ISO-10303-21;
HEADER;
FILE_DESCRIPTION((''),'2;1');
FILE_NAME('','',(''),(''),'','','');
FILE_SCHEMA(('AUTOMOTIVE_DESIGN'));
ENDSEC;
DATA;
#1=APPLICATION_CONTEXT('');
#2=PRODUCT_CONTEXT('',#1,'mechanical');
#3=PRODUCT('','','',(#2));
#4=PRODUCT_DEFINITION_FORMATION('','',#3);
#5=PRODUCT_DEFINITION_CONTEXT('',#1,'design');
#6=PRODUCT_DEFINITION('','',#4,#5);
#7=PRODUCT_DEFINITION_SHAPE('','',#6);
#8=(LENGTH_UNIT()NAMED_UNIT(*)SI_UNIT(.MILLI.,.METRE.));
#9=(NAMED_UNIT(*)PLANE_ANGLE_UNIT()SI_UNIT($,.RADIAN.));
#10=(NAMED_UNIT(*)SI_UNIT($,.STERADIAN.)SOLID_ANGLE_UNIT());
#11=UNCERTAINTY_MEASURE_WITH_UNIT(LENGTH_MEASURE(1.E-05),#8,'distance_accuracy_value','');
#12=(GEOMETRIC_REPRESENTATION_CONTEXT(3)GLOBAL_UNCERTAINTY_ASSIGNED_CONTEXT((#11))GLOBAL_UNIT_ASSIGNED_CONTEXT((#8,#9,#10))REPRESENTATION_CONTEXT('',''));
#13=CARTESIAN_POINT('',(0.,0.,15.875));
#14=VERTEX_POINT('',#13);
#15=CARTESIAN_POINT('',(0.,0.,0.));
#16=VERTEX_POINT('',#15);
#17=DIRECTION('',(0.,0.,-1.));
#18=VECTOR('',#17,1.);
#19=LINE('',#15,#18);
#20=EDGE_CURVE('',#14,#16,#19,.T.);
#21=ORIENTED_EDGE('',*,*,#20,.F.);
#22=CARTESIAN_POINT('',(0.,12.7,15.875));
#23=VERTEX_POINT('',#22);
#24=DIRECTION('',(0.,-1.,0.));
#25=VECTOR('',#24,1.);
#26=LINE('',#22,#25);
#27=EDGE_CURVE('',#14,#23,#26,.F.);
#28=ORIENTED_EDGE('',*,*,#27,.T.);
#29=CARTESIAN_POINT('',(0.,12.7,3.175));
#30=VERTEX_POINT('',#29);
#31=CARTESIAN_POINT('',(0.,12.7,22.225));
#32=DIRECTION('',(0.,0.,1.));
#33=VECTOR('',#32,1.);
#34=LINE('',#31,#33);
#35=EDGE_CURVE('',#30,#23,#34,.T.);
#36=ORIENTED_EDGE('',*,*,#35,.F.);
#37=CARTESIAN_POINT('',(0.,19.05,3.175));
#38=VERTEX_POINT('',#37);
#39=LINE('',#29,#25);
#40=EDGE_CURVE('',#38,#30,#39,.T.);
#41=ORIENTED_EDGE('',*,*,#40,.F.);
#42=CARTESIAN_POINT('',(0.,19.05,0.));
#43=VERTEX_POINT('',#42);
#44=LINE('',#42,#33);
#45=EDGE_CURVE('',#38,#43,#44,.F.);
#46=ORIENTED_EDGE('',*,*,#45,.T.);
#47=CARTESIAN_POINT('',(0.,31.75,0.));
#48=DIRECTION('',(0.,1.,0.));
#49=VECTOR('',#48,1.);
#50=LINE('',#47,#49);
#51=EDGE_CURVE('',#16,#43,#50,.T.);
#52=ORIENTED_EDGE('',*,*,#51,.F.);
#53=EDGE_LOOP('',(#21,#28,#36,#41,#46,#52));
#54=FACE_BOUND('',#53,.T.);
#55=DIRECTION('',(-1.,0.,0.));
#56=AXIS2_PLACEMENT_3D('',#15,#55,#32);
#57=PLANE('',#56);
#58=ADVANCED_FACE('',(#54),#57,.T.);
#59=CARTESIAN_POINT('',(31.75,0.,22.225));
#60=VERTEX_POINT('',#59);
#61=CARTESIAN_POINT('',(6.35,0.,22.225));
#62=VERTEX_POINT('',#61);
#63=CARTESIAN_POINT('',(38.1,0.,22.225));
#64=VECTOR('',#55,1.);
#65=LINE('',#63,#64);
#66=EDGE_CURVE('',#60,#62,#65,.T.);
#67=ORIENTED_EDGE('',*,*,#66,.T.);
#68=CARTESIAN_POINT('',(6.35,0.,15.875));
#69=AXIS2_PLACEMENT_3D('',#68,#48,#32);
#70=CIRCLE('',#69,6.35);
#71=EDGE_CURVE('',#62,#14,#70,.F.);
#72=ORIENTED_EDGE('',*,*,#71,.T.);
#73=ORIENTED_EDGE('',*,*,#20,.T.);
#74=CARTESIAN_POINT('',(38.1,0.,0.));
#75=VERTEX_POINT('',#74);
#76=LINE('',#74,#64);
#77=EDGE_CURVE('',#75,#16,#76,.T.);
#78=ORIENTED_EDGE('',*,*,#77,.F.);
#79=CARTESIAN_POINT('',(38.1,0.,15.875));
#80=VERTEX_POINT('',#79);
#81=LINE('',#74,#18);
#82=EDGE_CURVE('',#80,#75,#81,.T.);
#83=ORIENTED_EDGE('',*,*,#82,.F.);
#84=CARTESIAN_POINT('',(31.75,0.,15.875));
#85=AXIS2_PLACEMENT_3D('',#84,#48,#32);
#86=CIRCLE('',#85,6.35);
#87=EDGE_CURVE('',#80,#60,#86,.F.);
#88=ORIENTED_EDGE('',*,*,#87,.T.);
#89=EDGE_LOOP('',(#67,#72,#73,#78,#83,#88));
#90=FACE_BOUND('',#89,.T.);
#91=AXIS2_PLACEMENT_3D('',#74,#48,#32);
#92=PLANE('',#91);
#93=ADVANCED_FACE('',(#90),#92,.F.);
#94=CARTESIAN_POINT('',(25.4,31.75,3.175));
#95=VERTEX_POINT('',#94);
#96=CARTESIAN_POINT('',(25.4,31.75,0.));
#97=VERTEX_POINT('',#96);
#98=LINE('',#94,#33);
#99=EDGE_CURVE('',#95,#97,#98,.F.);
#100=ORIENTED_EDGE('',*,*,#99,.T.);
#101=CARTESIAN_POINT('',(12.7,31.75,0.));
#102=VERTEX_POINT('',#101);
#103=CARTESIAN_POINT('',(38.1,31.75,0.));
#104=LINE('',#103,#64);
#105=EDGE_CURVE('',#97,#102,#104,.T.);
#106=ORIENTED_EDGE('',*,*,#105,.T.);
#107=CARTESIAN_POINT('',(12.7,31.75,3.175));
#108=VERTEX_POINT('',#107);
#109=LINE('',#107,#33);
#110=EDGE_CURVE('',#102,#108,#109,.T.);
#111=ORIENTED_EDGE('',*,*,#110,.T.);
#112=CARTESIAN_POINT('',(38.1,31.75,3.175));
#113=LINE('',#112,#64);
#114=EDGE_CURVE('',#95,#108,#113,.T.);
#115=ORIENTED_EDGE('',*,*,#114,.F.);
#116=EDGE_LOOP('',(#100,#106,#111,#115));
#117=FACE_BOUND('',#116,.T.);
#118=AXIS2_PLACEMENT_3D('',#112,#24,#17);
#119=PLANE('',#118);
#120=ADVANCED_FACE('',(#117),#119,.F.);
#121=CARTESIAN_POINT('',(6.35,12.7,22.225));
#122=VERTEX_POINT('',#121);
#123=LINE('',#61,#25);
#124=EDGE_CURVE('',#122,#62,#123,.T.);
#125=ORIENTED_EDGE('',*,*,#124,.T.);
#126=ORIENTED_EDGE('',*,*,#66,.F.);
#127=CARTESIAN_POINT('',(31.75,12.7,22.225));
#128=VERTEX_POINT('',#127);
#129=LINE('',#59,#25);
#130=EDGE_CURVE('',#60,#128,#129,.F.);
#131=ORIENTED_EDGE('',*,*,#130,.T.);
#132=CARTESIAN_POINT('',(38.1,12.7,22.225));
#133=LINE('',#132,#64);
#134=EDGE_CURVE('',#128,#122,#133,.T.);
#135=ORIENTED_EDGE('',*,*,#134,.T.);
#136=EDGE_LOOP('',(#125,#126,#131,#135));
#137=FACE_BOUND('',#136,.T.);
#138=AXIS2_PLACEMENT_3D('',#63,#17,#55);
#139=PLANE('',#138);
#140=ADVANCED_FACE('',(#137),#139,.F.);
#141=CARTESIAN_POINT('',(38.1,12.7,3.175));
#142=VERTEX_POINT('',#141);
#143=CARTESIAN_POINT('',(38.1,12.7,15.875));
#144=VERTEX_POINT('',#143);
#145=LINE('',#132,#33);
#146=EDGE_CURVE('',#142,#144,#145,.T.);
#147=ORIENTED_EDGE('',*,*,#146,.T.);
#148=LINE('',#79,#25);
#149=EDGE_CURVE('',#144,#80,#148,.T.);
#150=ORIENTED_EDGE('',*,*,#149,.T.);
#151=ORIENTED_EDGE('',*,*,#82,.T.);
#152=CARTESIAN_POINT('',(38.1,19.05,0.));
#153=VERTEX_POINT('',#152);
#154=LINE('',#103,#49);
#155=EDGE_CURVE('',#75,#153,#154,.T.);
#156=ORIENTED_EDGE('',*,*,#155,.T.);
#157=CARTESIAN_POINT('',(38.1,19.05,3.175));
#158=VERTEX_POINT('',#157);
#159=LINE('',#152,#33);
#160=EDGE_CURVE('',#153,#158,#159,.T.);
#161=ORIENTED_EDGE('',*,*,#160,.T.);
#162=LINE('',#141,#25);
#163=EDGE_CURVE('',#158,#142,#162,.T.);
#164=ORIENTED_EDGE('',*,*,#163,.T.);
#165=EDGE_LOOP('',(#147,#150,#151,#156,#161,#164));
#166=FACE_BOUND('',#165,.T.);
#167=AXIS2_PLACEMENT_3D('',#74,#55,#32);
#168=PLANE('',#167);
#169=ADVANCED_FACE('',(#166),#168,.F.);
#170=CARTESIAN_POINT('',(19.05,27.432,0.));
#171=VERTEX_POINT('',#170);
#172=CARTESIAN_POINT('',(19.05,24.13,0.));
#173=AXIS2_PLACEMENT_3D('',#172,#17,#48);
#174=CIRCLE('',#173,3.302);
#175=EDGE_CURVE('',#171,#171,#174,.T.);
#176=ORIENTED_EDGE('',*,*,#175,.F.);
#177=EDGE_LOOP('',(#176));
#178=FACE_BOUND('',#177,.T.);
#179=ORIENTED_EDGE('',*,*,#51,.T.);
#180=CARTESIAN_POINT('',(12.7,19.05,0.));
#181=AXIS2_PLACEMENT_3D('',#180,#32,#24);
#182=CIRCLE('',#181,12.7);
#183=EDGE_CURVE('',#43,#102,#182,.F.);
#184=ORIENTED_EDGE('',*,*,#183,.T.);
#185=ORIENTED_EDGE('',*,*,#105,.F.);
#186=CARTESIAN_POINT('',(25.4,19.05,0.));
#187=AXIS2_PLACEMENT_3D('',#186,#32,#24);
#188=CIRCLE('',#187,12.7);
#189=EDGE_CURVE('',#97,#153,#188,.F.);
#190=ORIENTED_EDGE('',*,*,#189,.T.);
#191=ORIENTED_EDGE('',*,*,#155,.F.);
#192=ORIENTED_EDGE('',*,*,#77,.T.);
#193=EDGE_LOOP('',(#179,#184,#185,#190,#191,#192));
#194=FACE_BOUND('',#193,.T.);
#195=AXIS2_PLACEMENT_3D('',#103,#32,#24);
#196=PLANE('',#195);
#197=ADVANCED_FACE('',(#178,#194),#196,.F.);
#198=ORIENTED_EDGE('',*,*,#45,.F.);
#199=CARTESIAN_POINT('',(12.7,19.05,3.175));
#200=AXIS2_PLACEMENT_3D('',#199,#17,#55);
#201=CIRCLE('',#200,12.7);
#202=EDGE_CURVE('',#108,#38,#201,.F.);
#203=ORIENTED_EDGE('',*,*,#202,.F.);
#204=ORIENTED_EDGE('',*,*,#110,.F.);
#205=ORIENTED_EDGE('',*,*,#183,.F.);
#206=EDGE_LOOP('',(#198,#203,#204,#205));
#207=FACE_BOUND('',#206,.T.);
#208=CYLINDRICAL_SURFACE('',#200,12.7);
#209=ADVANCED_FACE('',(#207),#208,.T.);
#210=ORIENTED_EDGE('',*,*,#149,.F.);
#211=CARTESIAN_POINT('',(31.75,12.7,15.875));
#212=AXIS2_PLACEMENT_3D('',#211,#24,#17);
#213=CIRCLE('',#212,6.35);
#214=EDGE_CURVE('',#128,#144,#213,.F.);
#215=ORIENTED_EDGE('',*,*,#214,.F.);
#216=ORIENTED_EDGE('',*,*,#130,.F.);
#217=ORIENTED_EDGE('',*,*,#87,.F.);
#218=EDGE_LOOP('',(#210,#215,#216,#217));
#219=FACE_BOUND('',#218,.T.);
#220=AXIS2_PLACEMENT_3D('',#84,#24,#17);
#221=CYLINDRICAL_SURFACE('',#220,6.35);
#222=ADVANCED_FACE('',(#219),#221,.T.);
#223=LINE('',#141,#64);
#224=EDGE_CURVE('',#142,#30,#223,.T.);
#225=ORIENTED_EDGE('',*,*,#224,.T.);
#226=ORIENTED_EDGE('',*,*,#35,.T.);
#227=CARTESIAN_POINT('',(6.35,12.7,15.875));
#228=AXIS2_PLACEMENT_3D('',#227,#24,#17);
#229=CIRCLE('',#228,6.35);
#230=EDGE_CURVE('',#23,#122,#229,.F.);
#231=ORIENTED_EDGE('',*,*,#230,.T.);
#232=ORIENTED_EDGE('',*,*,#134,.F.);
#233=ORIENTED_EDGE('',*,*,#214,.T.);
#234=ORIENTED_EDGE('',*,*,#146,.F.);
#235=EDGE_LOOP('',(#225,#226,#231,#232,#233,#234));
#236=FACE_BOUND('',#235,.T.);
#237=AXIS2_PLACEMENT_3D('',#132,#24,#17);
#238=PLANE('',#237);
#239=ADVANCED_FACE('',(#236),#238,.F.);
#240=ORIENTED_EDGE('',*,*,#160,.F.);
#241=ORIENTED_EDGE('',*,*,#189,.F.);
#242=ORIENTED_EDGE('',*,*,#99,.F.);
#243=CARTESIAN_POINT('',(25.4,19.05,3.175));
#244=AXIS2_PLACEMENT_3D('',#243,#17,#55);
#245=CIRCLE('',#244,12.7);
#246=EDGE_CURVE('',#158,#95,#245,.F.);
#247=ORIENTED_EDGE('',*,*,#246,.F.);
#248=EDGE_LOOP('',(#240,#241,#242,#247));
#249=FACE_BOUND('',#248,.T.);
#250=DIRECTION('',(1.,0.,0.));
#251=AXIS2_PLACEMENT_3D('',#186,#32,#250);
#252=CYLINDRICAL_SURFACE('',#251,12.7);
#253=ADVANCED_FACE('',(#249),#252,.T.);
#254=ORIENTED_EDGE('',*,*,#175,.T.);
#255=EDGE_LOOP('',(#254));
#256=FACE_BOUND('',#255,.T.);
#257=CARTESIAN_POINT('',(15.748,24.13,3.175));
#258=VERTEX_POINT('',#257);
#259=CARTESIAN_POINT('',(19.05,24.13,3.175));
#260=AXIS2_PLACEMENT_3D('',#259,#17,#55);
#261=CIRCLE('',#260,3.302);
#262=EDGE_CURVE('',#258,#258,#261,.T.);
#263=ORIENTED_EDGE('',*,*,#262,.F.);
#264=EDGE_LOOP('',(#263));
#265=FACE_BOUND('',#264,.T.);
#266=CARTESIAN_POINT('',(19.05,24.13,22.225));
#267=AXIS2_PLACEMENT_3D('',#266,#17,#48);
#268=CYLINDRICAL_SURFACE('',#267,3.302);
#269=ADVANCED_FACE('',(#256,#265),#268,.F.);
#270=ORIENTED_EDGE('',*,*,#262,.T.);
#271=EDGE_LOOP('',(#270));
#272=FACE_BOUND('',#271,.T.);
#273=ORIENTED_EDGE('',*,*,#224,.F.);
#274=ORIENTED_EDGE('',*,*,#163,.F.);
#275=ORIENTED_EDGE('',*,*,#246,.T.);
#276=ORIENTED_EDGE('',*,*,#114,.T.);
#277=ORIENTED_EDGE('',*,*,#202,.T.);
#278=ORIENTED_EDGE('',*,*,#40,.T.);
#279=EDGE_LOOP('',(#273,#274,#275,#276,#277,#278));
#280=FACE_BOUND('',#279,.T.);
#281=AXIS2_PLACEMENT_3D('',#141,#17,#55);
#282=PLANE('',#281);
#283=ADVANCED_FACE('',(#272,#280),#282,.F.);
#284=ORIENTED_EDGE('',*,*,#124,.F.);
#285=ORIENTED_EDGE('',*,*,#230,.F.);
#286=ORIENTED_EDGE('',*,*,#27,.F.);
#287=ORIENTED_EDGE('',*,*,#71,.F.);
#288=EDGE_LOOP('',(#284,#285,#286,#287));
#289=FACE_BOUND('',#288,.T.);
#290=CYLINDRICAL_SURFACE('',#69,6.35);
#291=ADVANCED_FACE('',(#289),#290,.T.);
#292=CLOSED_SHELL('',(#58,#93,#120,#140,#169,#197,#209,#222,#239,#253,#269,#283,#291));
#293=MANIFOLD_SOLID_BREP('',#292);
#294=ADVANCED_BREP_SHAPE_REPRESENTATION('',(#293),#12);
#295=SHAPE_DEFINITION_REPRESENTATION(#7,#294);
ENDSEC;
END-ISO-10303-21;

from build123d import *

# Parameters (mm, degrees)
BOSS_EXTRUDE1_DEPTH = 38.1
SKETCH3_R           = 3.302
CUT_EXTRUDE1_DEPTH  = 23.225
FILLET1_R           = 6.35
FILLET2_R           = 12.7


with BuildPart() as part:
    # Sketch1 → Boss-Extrude1 (new body)
    with BuildSketch(Plane(origin=(0, 0, 0), x_dir=(0, 0, -1), z_dir=(1, 0, 0))):
        Polygon((0, 0), (-22.225, 0), (-22.225, 12.7), (-3.175, 12.7), (-3.175, 31.75), (0, 31.75), align=None)
    extrude(amount=BOSS_EXTRUDE1_DEPTH)

    # Sketch3 → Cut-Extrude1 (cut, through all)
    with BuildSketch(Plane(origin=(0, 0, 0), x_dir=(-1, 0, 0), z_dir=(0, 0, -1))):
        with Locations((-19.05, 24.13)):
            Circle(SKETCH3_R)
    extrude(amount=-CUT_EXTRUDE1_DEPTH, mode=Mode.SUBTRACT)

    # Fillet1
    fillet1_edges = [part.edges().sort_by_distance(p)[0] for p in [
        (38.1, 6.35, 22.225),
        (0, 6.35, 22.225),
    ]]
    fillet(fillet1_edges, radius=FILLET1_R)

    # Fillet2
    fillet2_edges = [part.edges().sort_by_distance(p)[0] for p in [
        (0, 31.75, 1.5875),
        (38.1, 31.75, 1.5875),
    ]]
    fillet(fillet2_edges, radius=FILLET2_R)


solid = part.part
